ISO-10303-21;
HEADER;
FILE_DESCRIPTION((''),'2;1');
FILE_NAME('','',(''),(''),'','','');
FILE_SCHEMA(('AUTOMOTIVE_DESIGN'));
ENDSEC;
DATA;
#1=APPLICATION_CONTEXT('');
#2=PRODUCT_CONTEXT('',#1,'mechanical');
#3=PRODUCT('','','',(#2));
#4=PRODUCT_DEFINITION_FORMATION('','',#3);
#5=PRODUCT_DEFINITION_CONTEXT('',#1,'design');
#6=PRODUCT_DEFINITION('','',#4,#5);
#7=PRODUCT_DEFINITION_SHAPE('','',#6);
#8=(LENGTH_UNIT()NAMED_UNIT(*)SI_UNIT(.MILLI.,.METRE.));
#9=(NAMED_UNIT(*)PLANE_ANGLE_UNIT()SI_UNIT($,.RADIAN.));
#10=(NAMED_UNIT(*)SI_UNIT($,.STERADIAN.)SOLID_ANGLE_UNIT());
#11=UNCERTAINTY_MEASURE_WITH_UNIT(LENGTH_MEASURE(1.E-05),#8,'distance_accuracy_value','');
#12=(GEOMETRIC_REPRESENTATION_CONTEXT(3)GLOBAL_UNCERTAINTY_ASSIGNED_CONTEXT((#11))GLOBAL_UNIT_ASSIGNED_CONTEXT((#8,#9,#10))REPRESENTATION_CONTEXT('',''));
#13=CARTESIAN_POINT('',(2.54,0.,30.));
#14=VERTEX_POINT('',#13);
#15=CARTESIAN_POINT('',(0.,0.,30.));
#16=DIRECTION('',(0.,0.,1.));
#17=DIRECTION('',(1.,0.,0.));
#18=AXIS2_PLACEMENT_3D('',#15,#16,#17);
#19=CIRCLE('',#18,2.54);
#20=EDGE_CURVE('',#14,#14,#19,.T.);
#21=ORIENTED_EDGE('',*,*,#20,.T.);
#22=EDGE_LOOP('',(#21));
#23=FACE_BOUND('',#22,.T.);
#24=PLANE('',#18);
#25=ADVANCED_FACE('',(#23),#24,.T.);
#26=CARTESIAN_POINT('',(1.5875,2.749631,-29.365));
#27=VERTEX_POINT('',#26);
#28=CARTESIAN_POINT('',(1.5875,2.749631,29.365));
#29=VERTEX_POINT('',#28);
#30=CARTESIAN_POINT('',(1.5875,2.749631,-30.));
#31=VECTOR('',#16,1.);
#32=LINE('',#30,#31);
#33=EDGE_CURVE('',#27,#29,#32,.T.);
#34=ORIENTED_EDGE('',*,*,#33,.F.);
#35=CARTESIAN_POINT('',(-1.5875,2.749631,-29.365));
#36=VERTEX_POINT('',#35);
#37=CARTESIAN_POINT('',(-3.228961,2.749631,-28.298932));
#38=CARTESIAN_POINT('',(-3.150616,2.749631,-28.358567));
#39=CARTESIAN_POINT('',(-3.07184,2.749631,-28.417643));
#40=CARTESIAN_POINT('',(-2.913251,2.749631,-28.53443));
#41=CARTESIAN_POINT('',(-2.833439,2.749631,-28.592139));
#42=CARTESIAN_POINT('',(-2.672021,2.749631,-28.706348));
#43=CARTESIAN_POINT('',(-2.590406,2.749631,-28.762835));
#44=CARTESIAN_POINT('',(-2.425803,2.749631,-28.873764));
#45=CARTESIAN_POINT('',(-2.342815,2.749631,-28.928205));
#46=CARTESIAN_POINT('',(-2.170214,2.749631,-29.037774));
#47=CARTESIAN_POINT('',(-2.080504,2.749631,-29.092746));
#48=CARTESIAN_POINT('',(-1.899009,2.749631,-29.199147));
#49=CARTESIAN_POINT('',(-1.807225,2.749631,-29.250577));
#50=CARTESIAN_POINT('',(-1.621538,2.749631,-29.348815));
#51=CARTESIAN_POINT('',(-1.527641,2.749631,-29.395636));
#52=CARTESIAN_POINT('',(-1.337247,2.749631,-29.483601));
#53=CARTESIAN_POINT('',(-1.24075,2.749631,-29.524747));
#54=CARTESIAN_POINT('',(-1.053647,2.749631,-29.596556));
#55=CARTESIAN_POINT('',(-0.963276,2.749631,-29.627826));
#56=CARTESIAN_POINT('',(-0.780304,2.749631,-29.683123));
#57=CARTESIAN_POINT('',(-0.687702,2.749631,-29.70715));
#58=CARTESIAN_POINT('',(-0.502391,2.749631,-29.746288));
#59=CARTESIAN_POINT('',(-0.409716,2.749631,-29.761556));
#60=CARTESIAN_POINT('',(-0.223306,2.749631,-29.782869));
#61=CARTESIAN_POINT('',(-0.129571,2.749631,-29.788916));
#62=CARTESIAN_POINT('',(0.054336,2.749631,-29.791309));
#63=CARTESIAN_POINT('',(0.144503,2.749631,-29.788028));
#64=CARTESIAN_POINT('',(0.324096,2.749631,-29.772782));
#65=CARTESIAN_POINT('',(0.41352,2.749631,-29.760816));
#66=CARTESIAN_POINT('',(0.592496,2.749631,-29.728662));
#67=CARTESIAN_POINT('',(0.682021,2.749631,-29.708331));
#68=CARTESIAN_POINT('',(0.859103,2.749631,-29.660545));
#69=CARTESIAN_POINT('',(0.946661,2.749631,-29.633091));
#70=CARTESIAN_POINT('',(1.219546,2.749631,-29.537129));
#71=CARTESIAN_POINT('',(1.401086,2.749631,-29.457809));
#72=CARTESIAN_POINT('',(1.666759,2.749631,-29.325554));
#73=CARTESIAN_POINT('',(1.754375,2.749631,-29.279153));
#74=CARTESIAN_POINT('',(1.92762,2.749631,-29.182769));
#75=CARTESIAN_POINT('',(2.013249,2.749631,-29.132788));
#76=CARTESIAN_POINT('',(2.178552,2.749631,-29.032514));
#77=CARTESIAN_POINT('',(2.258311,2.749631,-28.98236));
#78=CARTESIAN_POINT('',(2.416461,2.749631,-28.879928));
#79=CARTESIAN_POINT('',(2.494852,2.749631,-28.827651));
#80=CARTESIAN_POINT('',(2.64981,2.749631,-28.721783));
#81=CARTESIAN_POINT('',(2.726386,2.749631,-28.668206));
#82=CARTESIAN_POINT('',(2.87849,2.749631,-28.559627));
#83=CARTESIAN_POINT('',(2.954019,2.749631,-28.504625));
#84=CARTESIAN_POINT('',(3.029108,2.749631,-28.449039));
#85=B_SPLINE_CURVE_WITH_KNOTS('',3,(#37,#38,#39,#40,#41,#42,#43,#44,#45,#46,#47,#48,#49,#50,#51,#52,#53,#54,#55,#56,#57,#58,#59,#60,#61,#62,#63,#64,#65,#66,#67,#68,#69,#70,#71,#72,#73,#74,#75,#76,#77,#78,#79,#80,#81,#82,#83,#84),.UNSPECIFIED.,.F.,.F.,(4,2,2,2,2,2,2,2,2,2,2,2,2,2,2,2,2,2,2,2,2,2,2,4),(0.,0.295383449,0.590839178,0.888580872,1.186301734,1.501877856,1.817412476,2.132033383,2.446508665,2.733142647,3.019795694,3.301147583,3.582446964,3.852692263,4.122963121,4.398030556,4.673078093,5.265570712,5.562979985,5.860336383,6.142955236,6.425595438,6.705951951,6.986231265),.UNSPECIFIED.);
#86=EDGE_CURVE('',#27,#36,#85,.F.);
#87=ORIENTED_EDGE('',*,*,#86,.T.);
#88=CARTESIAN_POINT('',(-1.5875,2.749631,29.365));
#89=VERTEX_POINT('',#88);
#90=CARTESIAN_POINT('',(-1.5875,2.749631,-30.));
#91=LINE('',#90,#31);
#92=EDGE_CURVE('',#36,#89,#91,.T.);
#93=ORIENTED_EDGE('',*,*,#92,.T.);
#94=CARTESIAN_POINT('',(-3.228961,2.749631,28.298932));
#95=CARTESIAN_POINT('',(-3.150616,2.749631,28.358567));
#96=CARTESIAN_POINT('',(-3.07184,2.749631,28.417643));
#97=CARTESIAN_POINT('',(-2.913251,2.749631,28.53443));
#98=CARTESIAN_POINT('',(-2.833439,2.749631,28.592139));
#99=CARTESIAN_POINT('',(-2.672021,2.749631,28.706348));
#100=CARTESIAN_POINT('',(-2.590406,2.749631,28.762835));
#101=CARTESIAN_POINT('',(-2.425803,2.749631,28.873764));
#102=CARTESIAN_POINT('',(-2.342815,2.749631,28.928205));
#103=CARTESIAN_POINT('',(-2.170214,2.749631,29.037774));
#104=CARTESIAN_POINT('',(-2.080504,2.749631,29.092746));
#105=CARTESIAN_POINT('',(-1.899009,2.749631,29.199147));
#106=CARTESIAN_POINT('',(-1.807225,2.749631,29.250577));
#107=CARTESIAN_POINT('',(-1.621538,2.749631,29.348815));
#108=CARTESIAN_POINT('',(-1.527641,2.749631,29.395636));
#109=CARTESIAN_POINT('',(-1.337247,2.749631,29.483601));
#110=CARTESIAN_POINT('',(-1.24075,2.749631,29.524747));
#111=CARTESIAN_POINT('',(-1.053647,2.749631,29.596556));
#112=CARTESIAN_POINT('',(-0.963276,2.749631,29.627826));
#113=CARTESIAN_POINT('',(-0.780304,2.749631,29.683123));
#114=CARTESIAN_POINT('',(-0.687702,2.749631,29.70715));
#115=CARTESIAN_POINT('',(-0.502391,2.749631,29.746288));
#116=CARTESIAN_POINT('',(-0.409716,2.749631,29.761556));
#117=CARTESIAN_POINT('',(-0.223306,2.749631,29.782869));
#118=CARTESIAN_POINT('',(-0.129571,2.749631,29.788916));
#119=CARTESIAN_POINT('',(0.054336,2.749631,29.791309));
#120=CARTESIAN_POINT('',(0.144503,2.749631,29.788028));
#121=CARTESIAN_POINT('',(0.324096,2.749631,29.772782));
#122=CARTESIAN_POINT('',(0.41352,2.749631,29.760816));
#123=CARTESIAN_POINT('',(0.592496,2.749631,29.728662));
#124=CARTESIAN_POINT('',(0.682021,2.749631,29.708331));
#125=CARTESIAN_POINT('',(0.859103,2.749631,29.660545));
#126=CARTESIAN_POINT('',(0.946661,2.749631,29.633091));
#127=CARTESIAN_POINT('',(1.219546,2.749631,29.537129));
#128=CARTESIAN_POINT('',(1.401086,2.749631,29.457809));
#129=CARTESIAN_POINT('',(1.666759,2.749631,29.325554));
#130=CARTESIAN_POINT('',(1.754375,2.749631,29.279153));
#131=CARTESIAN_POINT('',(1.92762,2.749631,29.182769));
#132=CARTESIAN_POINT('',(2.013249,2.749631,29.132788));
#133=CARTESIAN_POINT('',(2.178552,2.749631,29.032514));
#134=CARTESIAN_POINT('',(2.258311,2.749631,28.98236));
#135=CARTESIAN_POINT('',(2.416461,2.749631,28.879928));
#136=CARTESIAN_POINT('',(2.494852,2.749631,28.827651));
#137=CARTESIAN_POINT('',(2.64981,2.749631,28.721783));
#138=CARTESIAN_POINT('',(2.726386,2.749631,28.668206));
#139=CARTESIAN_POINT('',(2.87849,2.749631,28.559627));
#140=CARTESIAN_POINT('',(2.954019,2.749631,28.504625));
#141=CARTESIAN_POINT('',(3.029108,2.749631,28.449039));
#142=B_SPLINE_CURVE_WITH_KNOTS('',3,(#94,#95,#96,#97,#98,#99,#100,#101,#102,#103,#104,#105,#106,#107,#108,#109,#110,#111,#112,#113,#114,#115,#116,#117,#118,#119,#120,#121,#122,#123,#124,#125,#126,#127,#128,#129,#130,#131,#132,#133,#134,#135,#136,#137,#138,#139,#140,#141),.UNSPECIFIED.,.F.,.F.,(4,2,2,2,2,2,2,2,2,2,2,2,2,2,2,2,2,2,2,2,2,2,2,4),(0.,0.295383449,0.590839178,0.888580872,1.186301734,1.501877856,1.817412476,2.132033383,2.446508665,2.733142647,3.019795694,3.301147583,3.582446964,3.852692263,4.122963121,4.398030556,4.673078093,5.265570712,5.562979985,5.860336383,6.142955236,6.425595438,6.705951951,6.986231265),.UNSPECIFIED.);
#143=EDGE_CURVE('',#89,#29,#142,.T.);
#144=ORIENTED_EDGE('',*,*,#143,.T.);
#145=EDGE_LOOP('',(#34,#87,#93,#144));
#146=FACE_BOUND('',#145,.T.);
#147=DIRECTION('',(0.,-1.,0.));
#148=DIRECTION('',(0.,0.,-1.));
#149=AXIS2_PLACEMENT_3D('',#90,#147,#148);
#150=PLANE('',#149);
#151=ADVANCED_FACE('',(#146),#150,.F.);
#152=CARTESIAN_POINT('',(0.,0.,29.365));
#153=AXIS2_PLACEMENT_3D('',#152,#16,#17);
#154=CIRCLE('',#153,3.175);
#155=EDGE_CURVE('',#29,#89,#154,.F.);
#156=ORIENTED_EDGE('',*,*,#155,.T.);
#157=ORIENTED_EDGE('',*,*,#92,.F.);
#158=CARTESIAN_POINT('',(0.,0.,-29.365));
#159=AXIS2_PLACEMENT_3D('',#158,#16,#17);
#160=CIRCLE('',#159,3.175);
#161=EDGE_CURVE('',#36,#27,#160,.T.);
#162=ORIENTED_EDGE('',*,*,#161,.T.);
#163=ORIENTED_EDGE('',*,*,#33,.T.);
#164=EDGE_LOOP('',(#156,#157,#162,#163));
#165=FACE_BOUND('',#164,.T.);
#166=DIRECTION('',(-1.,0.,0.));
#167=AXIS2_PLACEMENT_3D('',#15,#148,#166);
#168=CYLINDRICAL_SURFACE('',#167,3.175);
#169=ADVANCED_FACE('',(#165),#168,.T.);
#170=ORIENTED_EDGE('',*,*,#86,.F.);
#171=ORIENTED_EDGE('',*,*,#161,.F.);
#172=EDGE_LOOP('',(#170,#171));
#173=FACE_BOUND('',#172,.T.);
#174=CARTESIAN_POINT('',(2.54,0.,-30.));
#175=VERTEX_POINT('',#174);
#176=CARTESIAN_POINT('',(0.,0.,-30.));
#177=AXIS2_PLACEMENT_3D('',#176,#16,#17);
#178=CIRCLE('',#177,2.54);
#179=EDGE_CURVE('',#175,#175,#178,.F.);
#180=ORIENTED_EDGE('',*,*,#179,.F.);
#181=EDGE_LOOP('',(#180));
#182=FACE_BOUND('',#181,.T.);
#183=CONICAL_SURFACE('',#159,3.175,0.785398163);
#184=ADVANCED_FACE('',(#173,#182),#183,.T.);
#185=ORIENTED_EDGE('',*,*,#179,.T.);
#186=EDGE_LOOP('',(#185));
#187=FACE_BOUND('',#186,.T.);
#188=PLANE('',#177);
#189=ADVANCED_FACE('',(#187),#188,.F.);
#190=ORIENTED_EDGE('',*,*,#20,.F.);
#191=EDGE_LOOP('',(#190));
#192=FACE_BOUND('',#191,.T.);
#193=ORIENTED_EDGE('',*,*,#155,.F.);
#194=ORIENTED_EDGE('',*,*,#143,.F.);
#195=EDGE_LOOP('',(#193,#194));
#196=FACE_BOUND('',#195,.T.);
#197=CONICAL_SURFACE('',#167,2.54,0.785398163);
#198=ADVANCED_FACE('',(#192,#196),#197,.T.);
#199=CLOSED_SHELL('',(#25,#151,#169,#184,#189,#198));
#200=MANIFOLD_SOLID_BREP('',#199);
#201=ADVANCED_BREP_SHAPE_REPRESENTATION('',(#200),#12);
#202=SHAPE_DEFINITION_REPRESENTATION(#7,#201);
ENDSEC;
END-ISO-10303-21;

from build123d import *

# Parameters (mm, degrees)
SKETCH1_R           = 3.175
EXTRUDE1_DEPTH      = 30
CHAMFER1_SIZE       = 0.635
EXTRUDE7_DEPTH      = 31.334159787
EXTRUDE7_DEPTH_BACK = 31.334159787


with BuildPart() as part:
    # Sketch1 → Extrude1 (new, symmetric)
    with BuildSketch(Plane.XY):
        Circle(SKETCH1_R)
    extrude(amount=EXTRUDE1_DEPTH, both=True)

    # Chamfer1
    chamfer1_edges = [part.edges().sort_by_distance(p)[0] for p in [
        (-3.175, 0, -30),
        (-3.175, 0, 30),
    ]]
    chamfer(chamfer1_edges, length=CHAMFER1_SIZE)

    # Sketch13 → Extrude7 (cut, two sides: drawn at the far end of the back side and taken through both)
    with BuildSketch(Plane.XY.offset(-EXTRUDE7_DEPTH_BACK)):
        with BuildLine():
            Line((-1.5875, 2.749630657), (1.5875, 2.749630657))
            ThreePointArc((1.5875, 2.749630657), (0, 3.175), (-1.5875, 2.749630657))
        make_face()
    extrude(amount=EXTRUDE7_DEPTH + EXTRUDE7_DEPTH_BACK, mode=Mode.SUBTRACT)


solid = part.part
